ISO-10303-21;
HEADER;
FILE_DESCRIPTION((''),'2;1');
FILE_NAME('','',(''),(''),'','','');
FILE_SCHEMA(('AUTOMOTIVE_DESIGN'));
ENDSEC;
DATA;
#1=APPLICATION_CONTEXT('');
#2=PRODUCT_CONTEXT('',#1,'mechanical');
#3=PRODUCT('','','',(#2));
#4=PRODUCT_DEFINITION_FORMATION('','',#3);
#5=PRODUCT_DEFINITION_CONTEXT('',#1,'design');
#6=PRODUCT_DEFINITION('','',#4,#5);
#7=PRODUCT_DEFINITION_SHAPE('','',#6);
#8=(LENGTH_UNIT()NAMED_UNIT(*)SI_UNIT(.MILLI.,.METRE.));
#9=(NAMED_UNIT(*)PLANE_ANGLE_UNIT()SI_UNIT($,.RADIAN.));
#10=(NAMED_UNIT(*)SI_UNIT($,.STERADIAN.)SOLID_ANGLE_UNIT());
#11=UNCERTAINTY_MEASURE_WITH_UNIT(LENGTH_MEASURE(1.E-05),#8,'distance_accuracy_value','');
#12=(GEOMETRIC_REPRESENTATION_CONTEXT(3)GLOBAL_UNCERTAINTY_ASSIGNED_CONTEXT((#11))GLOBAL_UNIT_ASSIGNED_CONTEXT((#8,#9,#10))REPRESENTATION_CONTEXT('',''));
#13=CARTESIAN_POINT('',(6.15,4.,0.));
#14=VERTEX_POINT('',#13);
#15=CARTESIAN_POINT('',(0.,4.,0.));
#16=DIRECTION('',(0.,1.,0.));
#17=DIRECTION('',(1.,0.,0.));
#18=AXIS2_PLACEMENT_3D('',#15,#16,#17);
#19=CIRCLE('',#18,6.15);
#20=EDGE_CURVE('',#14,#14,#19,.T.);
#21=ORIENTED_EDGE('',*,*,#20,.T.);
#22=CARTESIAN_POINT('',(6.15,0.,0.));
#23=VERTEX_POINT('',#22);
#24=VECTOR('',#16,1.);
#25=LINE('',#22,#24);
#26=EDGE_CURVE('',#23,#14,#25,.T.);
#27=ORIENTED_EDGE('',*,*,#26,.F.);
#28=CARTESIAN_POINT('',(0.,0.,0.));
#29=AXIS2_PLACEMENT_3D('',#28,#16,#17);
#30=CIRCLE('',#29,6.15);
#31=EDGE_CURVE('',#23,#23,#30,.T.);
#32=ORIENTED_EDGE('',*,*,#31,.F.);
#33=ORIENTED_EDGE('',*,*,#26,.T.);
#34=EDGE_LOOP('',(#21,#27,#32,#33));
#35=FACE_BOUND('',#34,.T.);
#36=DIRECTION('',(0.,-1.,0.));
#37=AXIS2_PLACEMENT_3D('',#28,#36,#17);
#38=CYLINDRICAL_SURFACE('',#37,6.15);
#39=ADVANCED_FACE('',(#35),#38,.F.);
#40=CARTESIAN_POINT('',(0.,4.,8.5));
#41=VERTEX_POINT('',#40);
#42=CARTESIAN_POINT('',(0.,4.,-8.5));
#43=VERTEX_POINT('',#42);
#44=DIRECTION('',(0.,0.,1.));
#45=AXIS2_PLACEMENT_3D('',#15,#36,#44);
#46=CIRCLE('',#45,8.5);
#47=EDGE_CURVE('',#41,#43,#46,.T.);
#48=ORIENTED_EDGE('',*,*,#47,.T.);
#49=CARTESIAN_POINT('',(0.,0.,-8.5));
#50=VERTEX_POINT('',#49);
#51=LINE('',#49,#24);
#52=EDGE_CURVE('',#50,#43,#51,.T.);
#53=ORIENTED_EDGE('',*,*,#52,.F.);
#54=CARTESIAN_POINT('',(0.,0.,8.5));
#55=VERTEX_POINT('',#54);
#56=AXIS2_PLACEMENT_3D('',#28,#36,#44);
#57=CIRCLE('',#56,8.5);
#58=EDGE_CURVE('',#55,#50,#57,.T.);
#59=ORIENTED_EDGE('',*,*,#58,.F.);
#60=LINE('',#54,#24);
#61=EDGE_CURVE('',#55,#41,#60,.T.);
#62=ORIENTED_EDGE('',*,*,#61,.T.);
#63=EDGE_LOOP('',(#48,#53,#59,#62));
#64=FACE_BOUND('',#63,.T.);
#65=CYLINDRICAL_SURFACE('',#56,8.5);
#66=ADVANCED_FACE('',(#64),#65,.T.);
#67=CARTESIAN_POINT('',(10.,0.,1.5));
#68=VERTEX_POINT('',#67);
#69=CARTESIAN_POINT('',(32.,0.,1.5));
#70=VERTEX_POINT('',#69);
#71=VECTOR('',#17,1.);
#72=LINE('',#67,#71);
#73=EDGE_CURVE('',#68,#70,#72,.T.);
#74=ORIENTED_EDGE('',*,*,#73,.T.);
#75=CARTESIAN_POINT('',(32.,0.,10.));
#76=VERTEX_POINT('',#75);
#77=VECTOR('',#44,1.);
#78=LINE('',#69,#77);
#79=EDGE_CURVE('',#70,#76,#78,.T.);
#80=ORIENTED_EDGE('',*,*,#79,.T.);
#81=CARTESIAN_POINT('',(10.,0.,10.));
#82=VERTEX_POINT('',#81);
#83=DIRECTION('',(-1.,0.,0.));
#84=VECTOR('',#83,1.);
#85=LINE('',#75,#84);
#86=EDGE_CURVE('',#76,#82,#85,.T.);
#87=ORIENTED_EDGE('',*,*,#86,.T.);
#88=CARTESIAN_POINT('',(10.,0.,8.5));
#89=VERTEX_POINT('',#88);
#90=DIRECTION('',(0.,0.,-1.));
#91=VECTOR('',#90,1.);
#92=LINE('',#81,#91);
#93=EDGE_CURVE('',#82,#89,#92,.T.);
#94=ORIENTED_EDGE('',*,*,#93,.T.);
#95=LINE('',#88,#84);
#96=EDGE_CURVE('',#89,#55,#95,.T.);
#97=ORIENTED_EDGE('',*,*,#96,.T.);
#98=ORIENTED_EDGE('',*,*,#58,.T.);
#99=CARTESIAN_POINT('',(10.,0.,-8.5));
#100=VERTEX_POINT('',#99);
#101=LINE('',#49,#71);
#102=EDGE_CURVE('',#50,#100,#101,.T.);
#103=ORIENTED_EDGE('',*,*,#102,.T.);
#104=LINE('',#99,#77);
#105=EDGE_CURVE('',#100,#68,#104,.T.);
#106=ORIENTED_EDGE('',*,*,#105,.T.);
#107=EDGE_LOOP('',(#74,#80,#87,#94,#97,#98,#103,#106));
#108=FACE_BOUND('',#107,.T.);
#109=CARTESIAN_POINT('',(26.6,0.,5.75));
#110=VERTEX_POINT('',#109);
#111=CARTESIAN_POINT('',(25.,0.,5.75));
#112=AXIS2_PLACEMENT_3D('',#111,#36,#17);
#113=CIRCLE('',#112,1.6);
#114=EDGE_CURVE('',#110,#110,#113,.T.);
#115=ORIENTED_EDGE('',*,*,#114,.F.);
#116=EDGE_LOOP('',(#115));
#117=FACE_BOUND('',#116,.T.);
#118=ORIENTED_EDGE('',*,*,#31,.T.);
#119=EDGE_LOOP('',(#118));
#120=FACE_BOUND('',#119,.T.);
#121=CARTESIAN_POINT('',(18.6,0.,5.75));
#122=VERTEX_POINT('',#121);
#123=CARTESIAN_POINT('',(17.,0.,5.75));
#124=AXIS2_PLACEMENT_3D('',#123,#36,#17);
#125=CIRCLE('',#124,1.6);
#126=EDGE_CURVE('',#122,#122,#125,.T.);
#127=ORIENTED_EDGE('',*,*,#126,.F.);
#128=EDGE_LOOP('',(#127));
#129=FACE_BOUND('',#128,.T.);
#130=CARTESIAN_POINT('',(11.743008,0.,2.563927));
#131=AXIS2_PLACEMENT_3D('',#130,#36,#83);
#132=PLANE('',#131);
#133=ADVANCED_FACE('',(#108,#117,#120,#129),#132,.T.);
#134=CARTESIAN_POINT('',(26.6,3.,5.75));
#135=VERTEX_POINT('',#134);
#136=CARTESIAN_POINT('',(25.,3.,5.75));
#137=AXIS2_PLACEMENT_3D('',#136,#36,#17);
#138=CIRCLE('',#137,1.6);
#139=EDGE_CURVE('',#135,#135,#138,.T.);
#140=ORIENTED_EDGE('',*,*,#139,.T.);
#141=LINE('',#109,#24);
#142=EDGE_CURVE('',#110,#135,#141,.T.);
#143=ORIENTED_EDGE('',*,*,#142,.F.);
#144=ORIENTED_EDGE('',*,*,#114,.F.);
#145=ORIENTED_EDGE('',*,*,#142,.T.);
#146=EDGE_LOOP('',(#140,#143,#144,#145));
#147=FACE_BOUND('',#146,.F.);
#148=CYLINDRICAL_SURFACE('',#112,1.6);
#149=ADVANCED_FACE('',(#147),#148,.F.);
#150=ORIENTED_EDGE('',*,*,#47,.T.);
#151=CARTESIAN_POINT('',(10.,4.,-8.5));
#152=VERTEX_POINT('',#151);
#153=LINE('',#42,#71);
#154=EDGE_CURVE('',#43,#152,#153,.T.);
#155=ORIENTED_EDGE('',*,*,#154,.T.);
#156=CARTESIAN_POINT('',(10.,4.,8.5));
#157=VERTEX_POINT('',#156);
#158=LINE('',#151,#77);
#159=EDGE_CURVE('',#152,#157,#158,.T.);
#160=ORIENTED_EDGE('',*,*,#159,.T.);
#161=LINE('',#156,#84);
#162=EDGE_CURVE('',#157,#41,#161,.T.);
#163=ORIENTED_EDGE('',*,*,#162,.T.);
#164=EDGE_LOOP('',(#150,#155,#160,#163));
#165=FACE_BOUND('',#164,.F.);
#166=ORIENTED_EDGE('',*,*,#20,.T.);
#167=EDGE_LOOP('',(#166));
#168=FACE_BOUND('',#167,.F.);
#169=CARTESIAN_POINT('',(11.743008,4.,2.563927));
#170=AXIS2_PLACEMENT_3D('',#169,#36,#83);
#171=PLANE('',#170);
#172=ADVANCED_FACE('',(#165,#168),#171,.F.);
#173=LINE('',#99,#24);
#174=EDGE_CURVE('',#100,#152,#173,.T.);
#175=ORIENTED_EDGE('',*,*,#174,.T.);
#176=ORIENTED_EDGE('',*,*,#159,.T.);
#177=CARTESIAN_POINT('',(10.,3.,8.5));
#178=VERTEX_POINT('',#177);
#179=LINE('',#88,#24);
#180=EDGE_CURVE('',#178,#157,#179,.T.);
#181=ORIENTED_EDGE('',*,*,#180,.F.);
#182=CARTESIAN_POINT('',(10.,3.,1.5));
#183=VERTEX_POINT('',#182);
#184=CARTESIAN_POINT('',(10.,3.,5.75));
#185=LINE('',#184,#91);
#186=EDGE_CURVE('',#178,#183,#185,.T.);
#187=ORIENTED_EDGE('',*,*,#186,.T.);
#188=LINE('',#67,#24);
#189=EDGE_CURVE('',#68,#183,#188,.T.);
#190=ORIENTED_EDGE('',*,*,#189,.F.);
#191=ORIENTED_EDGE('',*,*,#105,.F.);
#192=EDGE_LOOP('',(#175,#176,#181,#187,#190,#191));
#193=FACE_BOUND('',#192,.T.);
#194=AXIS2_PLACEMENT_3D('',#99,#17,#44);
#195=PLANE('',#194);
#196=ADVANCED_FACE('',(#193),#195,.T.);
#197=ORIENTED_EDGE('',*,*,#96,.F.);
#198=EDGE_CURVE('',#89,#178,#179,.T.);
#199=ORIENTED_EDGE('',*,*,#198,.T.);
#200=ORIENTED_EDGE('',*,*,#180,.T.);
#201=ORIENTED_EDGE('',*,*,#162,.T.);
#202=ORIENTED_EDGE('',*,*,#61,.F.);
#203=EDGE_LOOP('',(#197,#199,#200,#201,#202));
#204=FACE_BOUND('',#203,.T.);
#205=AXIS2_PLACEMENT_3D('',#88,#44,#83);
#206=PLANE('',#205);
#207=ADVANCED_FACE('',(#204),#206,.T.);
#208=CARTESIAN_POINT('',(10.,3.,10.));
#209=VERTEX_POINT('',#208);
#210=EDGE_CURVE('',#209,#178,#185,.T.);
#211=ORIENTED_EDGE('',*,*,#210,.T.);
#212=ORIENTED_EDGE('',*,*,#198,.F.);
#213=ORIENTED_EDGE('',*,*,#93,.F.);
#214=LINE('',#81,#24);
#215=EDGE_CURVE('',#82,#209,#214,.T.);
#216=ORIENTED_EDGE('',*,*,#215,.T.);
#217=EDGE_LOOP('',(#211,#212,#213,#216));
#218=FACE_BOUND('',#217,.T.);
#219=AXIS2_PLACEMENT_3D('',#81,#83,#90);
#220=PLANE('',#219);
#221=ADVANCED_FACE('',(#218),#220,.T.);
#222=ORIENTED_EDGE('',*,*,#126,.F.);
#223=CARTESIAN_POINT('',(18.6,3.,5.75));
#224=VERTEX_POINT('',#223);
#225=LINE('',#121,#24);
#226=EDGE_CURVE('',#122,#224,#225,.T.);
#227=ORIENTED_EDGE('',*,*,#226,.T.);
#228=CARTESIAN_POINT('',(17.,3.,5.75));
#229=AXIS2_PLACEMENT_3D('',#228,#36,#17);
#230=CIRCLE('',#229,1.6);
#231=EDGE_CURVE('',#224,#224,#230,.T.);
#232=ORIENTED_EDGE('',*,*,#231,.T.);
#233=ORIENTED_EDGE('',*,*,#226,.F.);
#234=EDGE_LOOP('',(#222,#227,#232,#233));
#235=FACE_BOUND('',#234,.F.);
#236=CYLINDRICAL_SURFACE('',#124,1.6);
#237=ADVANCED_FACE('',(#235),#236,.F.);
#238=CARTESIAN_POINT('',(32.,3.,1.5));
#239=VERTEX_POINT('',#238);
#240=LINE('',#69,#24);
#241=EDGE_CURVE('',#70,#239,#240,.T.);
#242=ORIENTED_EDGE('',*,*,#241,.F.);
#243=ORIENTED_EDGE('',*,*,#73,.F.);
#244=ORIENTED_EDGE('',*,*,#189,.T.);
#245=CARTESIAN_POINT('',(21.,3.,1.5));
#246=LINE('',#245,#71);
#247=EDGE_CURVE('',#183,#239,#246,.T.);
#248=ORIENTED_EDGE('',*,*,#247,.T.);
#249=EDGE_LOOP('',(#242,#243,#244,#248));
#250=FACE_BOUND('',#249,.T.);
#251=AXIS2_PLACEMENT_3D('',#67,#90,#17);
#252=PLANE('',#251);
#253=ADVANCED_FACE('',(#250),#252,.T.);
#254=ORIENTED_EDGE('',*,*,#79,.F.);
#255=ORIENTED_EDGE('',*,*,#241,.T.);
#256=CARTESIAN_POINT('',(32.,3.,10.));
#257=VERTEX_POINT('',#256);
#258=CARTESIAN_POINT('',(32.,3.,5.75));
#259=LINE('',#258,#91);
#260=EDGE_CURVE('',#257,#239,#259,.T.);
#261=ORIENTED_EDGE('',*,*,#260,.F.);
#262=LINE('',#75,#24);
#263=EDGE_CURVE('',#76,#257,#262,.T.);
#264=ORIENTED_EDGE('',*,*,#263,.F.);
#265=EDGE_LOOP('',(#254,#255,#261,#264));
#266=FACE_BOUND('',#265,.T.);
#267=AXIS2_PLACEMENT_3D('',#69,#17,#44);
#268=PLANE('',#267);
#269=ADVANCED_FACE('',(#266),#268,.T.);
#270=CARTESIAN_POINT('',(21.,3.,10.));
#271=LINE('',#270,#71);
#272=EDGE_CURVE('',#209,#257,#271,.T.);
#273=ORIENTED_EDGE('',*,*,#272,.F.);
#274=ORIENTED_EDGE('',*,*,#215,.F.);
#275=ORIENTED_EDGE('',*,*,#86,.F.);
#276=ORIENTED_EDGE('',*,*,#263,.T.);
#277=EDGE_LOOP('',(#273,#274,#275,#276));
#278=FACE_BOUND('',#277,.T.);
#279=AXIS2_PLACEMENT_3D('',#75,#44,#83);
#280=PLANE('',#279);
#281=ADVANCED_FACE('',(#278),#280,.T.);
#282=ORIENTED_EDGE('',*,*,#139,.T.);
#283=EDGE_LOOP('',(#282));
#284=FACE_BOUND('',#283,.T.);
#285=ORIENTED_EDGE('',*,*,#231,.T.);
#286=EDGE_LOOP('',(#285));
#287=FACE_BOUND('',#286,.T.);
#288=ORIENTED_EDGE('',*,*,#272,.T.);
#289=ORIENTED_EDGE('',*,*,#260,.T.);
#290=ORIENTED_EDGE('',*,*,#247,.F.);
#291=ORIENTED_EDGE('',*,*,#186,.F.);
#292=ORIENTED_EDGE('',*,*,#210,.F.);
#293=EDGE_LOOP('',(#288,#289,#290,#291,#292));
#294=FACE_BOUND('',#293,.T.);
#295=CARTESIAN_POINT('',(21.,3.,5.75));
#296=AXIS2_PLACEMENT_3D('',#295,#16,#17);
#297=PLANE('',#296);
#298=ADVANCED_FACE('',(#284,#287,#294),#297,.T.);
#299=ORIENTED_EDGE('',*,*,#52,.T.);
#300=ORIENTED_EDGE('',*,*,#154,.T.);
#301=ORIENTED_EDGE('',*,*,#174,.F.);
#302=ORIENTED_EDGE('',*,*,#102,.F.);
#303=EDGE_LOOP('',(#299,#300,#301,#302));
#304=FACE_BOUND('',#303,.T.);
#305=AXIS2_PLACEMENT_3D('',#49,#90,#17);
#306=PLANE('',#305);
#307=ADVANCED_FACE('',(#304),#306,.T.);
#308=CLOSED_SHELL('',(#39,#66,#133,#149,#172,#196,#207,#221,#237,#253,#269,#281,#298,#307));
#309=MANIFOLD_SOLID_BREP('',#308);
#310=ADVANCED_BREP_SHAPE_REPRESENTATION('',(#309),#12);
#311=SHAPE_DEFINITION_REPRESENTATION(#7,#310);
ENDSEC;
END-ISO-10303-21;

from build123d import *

# Parameters (mm, degrees)
SKETCH1_R           = 6.15
BOSS_EXTRUDE2_DEPTH = 4
SKETCH4_W           = 22
SKETCH4_H           = 8.5
CUT_EXTRUDE2_DEPTH  = 1
SKETCH5_R           = 1.6
CUT_EXTRUDE3_DEPTH  = 5


with BuildPart() as part:
    # Sketch1 → Boss-Extrude2 (new body)
    with BuildSketch(Plane(origin=(0, 0, 0), x_dir=(1, 0, 0), z_dir=(0, 1, 0))):
        with BuildLine():
            Line((10, -1.5), (32, -1.5))
            Line((32, -1.5), (32, -8.5))
            Line((32, -8.5), (32, -10))
            Line((32, -10), (10, -10))
            Line((10, -10), (10, -8.5))
            Line((10, -8.5), (0, -8.5))
            ThreePointArc((0, -8.5), (-8.5, 0), (0, 8.5))
            Line((0, 8.5), (10, 8.5))
            Line((10, 8.5), (10, -1.5))
        make_face()
        Circle(SKETCH1_R, mode=Mode.SUBTRACT)
    extrude(amount=BOSS_EXTRUDE2_DEPTH)

    # Sketch4 → Cut-Extrude2 (cut)
    with BuildSketch(Plane(origin=(0, 4, 0), x_dir=(1, 0, 0), z_dir=(0, 1, 0))):
        with Locations((21, -5.75)):
            Rectangle(SKETCH4_W, SKETCH4_H)
    extrude(amount=-CUT_EXTRUDE2_DEPTH, mode=Mode.SUBTRACT)

    # Sketch5 → Cut-Extrude3 (cut, through all)
    with BuildSketch(Plane.XZ):
        with Locations((17, 5.75)):
            Circle(SKETCH5_R)
        with Locations((25, 5.75)):
            Circle(SKETCH5_R)
    extrude(amount=-CUT_EXTRUDE3_DEPTH, mode=Mode.SUBTRACT)


solid = part.part
